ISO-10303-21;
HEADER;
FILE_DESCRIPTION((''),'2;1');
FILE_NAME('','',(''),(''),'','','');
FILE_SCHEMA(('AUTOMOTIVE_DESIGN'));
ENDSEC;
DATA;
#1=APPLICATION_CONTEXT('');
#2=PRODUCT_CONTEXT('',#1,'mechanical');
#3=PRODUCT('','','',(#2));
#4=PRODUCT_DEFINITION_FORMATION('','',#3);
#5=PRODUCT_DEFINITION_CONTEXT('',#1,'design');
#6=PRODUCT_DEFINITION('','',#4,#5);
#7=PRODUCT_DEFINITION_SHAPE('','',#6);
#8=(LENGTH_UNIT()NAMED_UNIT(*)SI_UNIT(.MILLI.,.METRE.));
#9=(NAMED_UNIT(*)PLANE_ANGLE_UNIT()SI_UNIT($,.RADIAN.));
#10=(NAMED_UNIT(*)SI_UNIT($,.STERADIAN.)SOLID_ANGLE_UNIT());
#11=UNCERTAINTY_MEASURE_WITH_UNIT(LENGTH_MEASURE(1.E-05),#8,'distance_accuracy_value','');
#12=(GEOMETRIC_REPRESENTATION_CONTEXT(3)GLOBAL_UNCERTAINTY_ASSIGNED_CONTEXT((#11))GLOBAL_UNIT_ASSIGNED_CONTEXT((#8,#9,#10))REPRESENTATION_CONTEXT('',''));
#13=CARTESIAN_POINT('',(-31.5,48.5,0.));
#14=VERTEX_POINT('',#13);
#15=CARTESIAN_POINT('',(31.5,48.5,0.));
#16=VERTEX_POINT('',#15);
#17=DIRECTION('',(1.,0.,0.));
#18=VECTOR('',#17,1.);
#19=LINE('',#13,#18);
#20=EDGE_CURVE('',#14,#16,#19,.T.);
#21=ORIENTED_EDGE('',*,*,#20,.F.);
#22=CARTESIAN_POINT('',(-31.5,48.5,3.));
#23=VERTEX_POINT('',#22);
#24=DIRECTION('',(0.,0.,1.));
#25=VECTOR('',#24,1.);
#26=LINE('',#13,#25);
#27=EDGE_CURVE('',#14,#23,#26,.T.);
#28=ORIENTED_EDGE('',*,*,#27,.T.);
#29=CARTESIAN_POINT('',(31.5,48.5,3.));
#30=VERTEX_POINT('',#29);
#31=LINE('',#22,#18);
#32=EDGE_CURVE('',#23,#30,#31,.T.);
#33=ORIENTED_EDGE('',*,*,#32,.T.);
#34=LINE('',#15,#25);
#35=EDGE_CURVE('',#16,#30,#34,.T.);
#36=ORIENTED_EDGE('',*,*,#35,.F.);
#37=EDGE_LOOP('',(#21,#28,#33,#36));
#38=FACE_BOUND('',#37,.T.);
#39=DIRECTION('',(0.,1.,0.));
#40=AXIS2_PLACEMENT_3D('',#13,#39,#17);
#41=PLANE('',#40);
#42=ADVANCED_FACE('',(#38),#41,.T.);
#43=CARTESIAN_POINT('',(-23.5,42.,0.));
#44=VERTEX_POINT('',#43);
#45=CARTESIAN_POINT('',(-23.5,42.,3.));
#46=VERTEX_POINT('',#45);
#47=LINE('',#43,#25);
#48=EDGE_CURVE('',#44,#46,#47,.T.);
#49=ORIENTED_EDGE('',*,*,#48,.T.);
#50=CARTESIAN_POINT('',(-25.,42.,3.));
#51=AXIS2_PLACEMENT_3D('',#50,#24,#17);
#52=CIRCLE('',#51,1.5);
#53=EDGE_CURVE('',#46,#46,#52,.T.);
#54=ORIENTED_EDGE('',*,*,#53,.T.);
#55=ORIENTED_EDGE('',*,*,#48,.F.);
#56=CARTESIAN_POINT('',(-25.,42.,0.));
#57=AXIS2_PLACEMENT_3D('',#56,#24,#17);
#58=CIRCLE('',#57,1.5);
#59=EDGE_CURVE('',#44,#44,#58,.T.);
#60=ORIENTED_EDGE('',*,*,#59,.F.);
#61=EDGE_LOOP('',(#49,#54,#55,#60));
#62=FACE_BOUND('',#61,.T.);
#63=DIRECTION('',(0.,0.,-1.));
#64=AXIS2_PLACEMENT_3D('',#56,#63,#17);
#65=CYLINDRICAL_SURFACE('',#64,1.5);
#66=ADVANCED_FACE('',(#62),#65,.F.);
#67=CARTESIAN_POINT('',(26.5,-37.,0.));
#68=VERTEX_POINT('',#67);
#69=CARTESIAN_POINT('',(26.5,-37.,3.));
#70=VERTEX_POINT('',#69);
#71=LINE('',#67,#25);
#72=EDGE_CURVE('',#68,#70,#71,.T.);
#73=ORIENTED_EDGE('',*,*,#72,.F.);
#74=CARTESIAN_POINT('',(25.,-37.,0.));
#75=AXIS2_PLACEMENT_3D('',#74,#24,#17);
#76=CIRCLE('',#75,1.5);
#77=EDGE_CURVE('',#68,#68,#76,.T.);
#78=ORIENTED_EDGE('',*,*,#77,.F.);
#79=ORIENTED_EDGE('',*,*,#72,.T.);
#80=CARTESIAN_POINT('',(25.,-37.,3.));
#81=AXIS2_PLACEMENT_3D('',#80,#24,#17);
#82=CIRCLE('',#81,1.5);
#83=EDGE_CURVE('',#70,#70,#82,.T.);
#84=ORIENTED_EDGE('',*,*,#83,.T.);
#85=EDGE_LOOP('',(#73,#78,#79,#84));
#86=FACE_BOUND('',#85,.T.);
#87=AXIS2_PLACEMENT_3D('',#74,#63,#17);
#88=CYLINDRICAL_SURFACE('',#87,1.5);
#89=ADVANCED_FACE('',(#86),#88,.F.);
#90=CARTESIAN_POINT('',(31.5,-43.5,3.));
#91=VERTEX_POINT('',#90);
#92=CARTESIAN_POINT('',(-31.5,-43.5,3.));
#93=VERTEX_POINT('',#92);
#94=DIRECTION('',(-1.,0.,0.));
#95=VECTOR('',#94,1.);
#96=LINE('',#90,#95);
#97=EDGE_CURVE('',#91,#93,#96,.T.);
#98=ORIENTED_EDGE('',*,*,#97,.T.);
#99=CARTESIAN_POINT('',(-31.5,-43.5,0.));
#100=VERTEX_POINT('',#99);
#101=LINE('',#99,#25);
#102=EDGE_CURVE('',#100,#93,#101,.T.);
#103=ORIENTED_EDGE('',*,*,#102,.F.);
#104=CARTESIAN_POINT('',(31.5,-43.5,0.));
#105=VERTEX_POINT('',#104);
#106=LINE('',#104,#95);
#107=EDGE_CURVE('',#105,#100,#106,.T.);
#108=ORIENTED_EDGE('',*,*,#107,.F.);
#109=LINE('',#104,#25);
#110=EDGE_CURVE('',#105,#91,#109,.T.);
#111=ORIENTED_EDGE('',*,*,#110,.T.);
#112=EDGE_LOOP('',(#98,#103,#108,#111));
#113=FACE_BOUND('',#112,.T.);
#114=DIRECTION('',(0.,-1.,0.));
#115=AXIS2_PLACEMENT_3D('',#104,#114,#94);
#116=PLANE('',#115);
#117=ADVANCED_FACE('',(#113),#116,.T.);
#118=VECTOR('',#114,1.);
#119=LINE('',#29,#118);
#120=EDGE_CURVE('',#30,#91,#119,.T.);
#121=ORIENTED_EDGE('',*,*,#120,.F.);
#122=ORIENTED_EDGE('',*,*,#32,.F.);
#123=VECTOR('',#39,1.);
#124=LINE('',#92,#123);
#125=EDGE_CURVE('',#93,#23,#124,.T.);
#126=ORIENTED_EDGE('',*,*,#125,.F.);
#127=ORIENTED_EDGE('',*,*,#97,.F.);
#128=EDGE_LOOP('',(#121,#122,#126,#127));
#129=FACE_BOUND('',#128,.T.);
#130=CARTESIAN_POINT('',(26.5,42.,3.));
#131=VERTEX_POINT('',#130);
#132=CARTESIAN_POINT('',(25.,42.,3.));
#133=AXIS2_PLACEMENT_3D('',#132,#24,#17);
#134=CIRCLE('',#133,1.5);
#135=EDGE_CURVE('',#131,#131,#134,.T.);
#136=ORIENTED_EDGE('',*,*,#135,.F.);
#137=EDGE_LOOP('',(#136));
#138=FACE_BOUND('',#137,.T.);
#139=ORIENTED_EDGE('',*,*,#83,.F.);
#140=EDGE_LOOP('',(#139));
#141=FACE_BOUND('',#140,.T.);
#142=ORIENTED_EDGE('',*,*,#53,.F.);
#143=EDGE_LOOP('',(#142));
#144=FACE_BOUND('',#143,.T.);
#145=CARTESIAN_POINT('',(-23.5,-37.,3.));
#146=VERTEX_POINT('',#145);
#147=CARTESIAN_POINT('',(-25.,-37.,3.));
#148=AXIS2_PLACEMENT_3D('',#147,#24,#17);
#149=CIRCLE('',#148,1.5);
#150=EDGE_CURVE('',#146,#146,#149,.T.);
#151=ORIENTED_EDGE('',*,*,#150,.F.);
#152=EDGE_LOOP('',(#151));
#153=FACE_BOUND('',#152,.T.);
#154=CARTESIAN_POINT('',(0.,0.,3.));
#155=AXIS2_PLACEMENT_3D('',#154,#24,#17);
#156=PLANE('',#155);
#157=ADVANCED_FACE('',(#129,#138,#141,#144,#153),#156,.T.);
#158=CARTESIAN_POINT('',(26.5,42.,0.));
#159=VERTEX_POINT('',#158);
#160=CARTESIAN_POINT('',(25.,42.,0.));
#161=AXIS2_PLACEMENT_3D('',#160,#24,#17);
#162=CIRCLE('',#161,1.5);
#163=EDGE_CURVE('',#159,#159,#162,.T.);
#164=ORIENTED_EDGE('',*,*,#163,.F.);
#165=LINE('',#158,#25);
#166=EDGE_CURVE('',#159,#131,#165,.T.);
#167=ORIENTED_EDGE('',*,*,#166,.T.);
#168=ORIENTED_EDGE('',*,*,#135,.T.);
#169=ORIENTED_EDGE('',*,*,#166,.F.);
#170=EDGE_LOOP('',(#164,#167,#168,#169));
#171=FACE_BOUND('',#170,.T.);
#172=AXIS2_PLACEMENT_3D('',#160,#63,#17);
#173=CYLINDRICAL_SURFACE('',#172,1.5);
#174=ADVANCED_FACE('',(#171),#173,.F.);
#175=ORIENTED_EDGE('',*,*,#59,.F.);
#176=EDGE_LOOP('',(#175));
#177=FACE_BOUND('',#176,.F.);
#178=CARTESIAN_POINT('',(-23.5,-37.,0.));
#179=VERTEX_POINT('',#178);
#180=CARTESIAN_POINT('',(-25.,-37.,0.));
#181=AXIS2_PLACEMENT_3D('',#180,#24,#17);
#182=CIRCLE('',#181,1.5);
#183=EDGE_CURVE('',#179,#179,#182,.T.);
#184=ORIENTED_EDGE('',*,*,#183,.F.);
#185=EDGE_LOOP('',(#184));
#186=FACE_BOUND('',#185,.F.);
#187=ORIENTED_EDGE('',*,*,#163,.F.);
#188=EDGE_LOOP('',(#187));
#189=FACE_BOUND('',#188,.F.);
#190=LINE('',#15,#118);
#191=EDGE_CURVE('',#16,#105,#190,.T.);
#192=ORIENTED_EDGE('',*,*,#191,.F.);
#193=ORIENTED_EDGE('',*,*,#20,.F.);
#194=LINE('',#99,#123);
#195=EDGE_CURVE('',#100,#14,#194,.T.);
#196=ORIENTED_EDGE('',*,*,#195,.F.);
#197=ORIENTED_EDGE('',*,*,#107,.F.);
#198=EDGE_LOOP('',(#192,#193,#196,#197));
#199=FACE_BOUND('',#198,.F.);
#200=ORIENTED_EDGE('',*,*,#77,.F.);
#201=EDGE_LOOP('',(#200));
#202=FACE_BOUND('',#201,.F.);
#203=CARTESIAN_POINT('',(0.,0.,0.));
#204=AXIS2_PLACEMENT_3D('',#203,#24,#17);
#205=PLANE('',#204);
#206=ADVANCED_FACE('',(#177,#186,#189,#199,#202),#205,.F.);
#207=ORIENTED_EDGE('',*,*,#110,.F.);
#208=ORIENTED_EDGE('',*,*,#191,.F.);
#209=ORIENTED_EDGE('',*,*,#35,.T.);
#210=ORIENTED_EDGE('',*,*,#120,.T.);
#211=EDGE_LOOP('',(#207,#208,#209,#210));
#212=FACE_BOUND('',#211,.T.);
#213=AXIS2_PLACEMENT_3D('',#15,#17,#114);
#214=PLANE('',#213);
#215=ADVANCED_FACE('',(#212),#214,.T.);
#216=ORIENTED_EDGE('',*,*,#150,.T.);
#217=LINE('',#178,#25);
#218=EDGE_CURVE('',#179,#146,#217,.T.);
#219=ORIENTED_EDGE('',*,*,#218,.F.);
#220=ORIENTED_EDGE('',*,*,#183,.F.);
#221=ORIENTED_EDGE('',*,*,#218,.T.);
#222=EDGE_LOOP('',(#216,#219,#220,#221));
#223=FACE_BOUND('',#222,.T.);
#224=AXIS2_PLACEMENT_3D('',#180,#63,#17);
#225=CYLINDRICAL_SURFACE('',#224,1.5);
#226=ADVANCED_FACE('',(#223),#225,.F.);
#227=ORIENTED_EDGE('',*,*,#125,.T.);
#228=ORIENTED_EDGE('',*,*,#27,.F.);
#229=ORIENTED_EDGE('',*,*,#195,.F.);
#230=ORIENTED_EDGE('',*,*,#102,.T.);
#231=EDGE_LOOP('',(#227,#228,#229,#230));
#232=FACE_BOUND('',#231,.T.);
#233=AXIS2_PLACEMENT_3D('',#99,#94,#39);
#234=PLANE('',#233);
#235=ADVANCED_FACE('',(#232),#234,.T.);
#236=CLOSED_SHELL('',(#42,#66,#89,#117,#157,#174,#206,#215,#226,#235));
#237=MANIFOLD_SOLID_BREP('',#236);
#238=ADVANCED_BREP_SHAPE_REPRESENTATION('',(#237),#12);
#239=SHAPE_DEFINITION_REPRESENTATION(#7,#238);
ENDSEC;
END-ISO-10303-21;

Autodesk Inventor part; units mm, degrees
ref_plane "YZ Plane" through (0, 0, 0) normal (1, 0, 0) x (0, 1, 0)
ref_plane "XZ Plane" through (0, 0, 0) normal (0, 1, 0) x (-1, 0, 0)
ref_plane "XY Plane" through (0, 0, 0) normal (0, 0, 1) x (1, 0, 0)
sketch "Sketch1" plane through (0, 0, 0) normal (0, 0, 1) x (1, 0, 0)
  line L0 (31.5, 48.5) -> (31.5, -43.5)
  line L1 (31.5, -43.5) -> (-31.5, -43.5)
  line L2 (-31.5, -43.5) -> (-31.5, 48.5)
  line L3 (-31.5, 48.5) -> (31.5, 48.5)
  line L4 (25, -37) -> (25, 42) construction
  line L5 (25, 42) -> (-25, 42) construction
  line L6 (-25, 42) -> (-25, -37) construction
  line L7 (-25, -37) -> (25, -37) construction
  circle A0 centre (25, 42) radius 1.5 projected
  circle A1 centre (25, -37) radius 1.5 projected
  circle A2 centre (-25, -37) radius 1.5 projected
  circle A3 centre (-25, 42) radius 1.5 projected
  point P0 (0, 0)
  dimension "d0" = 5
extrude "Extrusion1" add sketch "Sketch1" along normal blind 3
properties part number "base teclado"
